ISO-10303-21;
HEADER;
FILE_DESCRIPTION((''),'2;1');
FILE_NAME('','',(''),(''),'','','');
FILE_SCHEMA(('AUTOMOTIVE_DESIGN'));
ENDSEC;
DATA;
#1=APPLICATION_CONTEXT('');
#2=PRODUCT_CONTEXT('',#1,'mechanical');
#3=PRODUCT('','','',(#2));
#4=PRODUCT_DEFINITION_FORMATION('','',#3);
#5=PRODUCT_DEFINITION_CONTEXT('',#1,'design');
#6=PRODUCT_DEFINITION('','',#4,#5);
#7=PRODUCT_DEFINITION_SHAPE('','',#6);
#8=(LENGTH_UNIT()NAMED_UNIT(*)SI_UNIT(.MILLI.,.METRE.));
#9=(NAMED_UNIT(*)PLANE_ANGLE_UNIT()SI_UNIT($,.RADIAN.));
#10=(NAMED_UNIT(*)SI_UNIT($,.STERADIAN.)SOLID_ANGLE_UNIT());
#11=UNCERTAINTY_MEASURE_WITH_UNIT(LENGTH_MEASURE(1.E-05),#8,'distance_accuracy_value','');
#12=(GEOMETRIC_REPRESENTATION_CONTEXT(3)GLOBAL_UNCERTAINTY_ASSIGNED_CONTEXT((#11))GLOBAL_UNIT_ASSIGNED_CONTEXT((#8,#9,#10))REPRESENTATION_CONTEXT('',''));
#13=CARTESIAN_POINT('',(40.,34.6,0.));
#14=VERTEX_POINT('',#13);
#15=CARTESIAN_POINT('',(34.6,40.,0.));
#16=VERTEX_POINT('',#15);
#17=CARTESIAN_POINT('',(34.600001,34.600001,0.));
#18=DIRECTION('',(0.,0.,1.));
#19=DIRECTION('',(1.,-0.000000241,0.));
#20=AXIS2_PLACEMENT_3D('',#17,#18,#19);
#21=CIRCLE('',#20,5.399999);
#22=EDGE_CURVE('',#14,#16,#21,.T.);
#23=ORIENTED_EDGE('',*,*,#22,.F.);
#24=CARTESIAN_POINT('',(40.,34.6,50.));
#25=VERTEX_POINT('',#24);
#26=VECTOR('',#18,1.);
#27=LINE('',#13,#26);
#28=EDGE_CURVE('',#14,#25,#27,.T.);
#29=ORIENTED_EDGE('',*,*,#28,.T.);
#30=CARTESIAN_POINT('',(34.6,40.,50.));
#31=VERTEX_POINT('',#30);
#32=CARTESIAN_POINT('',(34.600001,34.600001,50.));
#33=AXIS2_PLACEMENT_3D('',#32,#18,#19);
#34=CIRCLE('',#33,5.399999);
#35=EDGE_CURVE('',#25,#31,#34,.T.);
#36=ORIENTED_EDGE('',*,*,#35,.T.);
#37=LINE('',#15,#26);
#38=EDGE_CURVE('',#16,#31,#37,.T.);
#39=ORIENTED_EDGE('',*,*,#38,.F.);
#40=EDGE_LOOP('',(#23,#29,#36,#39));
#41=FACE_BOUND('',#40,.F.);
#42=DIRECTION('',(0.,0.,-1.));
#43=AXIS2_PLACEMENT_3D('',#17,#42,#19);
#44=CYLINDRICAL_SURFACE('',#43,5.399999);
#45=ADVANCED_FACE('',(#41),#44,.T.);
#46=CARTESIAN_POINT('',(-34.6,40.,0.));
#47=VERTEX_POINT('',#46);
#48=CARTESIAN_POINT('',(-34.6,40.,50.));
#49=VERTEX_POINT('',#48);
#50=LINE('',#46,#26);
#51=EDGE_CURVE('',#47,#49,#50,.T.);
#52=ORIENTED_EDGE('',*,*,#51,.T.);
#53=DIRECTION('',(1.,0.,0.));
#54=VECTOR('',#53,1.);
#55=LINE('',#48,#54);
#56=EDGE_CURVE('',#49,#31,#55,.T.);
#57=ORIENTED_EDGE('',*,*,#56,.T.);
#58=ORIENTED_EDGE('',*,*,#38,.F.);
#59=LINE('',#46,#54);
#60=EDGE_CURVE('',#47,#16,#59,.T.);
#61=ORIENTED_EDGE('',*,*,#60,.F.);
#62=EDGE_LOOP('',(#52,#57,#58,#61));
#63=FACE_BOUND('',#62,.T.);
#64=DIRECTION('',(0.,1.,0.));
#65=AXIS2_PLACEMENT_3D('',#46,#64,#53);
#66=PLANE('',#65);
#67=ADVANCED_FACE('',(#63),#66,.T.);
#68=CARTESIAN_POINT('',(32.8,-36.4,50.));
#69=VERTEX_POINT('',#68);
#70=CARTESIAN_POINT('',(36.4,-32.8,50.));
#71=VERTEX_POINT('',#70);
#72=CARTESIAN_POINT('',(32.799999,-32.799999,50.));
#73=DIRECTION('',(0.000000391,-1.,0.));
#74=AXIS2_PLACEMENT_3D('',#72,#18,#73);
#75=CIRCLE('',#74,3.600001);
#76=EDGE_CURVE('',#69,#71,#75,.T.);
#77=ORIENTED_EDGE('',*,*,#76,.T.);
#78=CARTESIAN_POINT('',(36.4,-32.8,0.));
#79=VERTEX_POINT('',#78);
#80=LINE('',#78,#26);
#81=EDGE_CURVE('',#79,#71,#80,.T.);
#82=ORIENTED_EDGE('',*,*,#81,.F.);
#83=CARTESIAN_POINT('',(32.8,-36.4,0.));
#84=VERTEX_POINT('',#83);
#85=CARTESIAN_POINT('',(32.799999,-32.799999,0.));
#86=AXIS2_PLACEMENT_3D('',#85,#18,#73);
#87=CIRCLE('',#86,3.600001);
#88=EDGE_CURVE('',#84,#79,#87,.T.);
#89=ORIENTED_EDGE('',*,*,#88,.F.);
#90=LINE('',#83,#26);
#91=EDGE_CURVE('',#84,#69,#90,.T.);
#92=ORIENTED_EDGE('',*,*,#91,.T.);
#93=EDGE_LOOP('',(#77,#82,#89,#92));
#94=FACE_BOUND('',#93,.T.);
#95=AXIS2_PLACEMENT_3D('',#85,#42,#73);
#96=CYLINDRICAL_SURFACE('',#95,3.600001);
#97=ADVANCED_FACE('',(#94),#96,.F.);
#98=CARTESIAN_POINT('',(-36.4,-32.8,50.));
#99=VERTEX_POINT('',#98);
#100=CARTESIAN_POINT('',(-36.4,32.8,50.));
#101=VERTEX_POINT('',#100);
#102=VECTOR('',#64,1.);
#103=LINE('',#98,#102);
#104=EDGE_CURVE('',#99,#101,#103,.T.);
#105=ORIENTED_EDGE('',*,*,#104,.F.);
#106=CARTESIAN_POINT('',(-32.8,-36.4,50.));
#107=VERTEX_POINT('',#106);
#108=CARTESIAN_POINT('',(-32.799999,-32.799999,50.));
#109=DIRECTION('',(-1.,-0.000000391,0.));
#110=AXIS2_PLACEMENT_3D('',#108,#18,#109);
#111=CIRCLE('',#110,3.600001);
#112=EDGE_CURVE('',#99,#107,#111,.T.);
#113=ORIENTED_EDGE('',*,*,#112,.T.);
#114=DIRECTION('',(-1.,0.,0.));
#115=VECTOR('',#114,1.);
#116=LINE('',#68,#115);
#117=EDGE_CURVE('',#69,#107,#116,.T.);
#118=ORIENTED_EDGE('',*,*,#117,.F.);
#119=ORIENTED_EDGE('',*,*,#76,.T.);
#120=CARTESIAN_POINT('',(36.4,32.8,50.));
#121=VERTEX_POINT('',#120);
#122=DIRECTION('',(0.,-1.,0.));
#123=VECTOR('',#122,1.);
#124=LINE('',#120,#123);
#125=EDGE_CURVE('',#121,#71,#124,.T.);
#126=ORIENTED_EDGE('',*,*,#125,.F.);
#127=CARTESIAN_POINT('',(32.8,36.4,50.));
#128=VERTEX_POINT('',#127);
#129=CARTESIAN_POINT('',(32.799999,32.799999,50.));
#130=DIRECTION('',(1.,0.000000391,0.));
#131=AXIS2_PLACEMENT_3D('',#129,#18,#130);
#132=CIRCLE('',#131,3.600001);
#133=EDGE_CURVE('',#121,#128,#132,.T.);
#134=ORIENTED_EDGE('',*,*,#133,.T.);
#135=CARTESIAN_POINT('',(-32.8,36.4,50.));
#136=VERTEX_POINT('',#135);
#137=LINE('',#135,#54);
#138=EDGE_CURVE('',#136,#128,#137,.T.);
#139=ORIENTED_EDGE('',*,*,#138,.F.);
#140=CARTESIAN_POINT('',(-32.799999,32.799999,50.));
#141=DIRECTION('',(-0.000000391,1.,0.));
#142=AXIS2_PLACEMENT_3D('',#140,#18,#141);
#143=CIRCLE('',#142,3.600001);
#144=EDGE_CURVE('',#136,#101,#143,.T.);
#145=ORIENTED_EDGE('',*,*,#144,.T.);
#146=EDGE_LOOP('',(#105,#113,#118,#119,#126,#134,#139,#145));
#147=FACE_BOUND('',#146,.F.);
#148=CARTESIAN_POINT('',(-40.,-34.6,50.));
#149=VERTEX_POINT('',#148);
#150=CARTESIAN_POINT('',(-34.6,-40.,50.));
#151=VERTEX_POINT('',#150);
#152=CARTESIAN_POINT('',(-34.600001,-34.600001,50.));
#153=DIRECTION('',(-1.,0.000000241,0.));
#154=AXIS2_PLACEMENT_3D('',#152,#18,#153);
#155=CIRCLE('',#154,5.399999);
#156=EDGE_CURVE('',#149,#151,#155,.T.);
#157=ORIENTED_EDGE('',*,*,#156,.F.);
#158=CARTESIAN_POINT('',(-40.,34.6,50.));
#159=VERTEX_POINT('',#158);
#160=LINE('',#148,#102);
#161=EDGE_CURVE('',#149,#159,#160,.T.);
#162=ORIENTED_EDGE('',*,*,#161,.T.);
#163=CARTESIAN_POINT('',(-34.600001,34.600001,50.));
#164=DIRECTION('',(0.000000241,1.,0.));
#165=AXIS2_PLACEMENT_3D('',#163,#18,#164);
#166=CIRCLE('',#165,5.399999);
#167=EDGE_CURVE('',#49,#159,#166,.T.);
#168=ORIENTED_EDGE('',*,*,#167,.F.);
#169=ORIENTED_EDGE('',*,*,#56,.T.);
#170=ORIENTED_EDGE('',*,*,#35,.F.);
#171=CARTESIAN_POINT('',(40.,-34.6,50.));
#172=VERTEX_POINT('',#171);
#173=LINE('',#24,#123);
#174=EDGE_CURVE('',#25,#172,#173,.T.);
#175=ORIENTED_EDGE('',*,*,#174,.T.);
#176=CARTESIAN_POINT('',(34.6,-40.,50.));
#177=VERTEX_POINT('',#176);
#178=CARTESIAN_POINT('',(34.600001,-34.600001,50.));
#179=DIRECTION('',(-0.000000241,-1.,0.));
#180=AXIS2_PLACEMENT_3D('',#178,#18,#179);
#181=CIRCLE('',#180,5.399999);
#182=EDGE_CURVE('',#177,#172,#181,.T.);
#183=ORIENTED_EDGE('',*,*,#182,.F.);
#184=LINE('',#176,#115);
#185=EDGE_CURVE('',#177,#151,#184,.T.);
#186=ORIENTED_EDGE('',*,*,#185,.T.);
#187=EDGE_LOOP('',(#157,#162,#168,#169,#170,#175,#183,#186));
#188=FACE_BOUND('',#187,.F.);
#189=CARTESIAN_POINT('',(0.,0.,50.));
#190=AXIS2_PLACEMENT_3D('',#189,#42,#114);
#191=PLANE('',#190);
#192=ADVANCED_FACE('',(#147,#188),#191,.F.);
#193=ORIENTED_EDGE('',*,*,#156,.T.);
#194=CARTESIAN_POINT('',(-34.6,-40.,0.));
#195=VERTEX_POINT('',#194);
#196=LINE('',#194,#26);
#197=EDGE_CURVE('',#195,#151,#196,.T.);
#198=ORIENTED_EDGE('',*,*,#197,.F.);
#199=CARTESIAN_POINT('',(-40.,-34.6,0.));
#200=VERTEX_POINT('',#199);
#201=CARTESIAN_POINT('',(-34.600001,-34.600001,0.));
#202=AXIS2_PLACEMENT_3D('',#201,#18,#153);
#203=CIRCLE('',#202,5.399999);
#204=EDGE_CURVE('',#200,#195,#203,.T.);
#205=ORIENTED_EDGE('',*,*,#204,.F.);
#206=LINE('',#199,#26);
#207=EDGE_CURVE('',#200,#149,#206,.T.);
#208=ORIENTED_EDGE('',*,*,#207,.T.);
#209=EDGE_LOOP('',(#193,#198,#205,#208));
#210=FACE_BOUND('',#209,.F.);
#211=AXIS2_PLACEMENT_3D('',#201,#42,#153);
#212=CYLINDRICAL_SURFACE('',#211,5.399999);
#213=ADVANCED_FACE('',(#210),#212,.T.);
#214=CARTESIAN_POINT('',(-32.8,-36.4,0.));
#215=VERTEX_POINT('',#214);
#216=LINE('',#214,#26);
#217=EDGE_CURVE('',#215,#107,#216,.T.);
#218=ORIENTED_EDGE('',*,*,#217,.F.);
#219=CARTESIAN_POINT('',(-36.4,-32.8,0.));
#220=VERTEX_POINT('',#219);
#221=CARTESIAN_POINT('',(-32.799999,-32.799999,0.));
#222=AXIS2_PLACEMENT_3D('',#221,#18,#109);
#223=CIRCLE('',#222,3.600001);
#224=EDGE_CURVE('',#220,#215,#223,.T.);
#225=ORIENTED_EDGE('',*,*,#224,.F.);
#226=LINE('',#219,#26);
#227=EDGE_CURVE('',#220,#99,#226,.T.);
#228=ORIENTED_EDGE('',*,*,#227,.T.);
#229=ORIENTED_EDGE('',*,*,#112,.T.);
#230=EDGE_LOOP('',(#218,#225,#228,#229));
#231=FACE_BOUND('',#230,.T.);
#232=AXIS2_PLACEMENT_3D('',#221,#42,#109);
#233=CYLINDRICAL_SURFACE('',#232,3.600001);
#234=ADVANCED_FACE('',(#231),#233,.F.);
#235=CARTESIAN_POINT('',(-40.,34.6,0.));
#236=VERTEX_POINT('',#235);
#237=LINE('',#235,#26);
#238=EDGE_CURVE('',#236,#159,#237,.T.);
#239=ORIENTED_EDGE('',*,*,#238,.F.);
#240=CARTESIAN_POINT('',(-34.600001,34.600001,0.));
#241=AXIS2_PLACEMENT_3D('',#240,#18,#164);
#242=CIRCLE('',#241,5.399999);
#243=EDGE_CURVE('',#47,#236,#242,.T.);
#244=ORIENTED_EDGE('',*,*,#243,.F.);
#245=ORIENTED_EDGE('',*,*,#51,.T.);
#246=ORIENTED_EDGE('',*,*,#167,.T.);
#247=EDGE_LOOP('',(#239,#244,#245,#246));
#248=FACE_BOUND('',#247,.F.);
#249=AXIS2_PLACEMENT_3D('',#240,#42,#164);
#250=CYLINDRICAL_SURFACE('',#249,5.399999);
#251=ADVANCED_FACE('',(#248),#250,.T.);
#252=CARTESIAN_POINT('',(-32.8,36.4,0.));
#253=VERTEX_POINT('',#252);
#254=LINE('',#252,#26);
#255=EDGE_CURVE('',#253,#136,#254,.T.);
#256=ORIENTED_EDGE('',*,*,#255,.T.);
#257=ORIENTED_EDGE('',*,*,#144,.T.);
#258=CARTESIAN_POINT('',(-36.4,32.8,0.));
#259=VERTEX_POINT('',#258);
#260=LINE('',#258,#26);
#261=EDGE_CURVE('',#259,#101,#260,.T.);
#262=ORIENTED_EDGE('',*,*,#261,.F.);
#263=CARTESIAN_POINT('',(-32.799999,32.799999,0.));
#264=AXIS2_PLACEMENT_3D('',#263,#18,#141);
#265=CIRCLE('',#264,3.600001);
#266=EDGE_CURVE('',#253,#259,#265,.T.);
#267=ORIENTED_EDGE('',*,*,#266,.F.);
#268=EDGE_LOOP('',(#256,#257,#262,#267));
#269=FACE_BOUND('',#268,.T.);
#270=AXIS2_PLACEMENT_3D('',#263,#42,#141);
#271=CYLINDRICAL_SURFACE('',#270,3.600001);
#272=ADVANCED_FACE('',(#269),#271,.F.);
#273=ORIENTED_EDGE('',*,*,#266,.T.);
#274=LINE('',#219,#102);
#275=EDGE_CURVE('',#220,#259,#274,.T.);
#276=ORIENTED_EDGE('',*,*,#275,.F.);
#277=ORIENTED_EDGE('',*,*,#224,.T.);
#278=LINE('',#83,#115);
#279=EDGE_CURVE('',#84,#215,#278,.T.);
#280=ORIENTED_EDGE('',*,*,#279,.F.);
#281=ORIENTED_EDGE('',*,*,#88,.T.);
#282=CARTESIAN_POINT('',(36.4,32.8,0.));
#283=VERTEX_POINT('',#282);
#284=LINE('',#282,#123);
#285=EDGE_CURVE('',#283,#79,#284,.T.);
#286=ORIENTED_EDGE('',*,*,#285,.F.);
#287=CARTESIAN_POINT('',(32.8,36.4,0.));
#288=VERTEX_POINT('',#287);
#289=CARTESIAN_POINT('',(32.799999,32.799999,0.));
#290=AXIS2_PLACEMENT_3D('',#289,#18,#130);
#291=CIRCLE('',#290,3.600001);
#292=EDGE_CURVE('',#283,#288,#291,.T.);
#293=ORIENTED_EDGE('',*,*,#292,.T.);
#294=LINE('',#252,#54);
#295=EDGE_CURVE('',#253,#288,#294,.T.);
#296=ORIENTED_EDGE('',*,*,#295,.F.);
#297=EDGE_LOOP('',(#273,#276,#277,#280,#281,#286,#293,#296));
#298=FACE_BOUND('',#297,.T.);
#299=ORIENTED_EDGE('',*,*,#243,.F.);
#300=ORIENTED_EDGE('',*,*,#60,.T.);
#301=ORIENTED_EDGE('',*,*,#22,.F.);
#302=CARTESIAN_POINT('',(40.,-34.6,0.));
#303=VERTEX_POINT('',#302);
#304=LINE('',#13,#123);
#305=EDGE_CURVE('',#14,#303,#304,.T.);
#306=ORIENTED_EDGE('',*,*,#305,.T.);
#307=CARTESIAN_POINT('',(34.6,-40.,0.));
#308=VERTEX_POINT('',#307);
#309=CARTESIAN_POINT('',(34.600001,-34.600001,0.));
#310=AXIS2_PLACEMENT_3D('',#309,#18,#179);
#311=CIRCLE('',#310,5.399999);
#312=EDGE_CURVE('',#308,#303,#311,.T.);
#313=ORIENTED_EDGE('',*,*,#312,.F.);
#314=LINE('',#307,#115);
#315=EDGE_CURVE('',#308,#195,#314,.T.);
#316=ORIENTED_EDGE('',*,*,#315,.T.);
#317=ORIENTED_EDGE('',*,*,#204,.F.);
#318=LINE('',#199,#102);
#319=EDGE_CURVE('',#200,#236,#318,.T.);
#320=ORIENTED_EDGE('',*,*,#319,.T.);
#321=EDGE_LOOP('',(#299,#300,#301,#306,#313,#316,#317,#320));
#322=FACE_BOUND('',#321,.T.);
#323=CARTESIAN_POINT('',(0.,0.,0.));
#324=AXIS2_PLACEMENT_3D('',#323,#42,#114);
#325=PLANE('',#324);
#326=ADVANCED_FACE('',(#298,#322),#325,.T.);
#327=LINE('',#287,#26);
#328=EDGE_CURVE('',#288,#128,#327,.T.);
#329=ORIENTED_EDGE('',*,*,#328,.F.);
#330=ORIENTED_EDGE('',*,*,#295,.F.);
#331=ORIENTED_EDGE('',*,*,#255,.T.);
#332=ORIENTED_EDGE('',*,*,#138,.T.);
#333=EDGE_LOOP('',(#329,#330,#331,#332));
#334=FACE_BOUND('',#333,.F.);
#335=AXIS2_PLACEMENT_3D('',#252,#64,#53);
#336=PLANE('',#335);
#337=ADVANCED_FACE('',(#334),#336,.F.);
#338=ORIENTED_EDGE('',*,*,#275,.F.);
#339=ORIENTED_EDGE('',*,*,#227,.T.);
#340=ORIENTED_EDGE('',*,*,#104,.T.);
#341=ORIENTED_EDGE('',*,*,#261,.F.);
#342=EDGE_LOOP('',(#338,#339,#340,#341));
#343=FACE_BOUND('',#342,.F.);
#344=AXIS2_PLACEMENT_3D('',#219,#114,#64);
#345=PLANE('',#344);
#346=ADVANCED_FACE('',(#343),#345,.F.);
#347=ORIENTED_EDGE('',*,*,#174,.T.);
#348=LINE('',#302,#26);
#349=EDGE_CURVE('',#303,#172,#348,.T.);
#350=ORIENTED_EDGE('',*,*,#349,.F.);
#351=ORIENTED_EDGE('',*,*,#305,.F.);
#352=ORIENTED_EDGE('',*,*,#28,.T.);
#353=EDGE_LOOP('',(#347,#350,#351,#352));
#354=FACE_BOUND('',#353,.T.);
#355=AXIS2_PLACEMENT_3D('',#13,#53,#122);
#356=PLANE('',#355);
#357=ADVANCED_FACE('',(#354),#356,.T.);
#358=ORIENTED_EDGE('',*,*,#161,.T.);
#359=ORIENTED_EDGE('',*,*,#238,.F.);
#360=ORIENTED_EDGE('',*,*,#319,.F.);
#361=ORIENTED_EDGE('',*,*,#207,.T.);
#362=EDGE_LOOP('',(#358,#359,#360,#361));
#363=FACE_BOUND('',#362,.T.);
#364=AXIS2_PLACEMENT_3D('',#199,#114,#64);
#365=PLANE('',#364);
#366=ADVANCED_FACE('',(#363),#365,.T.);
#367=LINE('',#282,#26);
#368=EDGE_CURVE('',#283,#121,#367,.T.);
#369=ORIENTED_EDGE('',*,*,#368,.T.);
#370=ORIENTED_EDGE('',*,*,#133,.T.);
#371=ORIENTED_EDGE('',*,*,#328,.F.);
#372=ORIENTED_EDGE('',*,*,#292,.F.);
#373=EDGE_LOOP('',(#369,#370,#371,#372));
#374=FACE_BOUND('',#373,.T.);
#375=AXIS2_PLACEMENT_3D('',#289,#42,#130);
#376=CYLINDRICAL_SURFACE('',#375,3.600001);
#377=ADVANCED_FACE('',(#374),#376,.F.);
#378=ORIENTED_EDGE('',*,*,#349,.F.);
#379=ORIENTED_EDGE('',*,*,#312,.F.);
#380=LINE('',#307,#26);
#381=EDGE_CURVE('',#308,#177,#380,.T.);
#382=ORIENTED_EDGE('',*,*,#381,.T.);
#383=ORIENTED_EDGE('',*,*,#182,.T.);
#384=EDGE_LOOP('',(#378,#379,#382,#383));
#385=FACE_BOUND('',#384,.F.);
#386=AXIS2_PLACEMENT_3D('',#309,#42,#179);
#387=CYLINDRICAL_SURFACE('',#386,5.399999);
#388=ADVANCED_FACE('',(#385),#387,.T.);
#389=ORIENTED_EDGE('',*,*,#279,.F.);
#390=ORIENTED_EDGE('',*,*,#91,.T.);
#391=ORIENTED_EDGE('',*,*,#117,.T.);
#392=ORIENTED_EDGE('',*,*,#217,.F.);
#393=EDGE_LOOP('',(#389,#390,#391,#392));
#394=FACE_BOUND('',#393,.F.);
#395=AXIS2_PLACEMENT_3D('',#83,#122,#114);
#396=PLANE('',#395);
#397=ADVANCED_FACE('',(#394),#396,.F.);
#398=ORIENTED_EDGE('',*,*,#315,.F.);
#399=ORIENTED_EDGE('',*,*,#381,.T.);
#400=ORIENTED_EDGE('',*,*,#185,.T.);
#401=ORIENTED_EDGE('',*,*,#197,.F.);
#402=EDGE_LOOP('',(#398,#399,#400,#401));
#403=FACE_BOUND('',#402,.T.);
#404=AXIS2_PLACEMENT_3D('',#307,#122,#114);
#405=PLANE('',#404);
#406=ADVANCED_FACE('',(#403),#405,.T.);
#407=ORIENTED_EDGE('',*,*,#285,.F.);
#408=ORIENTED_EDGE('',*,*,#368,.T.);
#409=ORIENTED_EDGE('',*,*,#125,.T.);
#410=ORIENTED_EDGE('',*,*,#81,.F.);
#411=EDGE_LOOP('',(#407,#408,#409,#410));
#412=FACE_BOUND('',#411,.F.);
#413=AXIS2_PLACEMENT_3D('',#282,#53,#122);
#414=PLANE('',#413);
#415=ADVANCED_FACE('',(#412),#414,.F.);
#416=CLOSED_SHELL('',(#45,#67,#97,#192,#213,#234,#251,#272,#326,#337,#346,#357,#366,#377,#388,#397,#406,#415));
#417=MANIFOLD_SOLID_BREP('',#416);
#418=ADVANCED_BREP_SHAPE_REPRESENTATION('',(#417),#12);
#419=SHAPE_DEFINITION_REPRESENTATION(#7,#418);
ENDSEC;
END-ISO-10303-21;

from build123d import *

# Parameters (mm, degrees)
EXTRUDE_DEPTH = 50


with BuildPart() as part:
    # Sketch → Extrude (new body)
    with BuildSketch(Plane.XY):
        with BuildLine():
            Line((-34.6, 40), (34.6, 40))
            ThreePointArc((40, 34.6), (38.418377, 38.418377), (34.6, 40))
            Line((40, 34.6), (40, -34.6))
            ThreePointArc((34.6, -40), (38.418377, -38.418377), (40, -34.6))
            Line((34.6, -40), (-34.6, -40))
            ThreePointArc((-40, -34.6), (-38.418377, -38.418377), (-34.6, -40))
            Line((-40, -34.6), (-40, 34.6))
            ThreePointArc((-34.6, 40), (-38.418377, 38.418377), (-40, 34.6))
        make_face()
        with BuildLine():
            Line((-32.8, 36.4), (32.8, 36.4))
            ThreePointArc((36.4, 32.8), (35.345584, 35.345584), (32.8, 36.4))
            Line((36.4, 32.8), (36.4, -32.8))
            ThreePointArc((32.8, -36.4), (35.345584, -35.345584), (36.4, -32.8))
            Line((32.8, -36.4), (-32.8, -36.4))
            ThreePointArc((-36.4, -32.8), (-35.345584, -35.345584), (-32.8, -36.4))
            Line((-36.4, -32.8), (-36.4, 32.8))
            ThreePointArc((-32.8, 36.4), (-35.345584, 35.345584), (-36.4, 32.8))
        make_face(mode=Mode.SUBTRACT)
    extrude(amount=EXTRUDE_DEPTH)


solid = part.part
